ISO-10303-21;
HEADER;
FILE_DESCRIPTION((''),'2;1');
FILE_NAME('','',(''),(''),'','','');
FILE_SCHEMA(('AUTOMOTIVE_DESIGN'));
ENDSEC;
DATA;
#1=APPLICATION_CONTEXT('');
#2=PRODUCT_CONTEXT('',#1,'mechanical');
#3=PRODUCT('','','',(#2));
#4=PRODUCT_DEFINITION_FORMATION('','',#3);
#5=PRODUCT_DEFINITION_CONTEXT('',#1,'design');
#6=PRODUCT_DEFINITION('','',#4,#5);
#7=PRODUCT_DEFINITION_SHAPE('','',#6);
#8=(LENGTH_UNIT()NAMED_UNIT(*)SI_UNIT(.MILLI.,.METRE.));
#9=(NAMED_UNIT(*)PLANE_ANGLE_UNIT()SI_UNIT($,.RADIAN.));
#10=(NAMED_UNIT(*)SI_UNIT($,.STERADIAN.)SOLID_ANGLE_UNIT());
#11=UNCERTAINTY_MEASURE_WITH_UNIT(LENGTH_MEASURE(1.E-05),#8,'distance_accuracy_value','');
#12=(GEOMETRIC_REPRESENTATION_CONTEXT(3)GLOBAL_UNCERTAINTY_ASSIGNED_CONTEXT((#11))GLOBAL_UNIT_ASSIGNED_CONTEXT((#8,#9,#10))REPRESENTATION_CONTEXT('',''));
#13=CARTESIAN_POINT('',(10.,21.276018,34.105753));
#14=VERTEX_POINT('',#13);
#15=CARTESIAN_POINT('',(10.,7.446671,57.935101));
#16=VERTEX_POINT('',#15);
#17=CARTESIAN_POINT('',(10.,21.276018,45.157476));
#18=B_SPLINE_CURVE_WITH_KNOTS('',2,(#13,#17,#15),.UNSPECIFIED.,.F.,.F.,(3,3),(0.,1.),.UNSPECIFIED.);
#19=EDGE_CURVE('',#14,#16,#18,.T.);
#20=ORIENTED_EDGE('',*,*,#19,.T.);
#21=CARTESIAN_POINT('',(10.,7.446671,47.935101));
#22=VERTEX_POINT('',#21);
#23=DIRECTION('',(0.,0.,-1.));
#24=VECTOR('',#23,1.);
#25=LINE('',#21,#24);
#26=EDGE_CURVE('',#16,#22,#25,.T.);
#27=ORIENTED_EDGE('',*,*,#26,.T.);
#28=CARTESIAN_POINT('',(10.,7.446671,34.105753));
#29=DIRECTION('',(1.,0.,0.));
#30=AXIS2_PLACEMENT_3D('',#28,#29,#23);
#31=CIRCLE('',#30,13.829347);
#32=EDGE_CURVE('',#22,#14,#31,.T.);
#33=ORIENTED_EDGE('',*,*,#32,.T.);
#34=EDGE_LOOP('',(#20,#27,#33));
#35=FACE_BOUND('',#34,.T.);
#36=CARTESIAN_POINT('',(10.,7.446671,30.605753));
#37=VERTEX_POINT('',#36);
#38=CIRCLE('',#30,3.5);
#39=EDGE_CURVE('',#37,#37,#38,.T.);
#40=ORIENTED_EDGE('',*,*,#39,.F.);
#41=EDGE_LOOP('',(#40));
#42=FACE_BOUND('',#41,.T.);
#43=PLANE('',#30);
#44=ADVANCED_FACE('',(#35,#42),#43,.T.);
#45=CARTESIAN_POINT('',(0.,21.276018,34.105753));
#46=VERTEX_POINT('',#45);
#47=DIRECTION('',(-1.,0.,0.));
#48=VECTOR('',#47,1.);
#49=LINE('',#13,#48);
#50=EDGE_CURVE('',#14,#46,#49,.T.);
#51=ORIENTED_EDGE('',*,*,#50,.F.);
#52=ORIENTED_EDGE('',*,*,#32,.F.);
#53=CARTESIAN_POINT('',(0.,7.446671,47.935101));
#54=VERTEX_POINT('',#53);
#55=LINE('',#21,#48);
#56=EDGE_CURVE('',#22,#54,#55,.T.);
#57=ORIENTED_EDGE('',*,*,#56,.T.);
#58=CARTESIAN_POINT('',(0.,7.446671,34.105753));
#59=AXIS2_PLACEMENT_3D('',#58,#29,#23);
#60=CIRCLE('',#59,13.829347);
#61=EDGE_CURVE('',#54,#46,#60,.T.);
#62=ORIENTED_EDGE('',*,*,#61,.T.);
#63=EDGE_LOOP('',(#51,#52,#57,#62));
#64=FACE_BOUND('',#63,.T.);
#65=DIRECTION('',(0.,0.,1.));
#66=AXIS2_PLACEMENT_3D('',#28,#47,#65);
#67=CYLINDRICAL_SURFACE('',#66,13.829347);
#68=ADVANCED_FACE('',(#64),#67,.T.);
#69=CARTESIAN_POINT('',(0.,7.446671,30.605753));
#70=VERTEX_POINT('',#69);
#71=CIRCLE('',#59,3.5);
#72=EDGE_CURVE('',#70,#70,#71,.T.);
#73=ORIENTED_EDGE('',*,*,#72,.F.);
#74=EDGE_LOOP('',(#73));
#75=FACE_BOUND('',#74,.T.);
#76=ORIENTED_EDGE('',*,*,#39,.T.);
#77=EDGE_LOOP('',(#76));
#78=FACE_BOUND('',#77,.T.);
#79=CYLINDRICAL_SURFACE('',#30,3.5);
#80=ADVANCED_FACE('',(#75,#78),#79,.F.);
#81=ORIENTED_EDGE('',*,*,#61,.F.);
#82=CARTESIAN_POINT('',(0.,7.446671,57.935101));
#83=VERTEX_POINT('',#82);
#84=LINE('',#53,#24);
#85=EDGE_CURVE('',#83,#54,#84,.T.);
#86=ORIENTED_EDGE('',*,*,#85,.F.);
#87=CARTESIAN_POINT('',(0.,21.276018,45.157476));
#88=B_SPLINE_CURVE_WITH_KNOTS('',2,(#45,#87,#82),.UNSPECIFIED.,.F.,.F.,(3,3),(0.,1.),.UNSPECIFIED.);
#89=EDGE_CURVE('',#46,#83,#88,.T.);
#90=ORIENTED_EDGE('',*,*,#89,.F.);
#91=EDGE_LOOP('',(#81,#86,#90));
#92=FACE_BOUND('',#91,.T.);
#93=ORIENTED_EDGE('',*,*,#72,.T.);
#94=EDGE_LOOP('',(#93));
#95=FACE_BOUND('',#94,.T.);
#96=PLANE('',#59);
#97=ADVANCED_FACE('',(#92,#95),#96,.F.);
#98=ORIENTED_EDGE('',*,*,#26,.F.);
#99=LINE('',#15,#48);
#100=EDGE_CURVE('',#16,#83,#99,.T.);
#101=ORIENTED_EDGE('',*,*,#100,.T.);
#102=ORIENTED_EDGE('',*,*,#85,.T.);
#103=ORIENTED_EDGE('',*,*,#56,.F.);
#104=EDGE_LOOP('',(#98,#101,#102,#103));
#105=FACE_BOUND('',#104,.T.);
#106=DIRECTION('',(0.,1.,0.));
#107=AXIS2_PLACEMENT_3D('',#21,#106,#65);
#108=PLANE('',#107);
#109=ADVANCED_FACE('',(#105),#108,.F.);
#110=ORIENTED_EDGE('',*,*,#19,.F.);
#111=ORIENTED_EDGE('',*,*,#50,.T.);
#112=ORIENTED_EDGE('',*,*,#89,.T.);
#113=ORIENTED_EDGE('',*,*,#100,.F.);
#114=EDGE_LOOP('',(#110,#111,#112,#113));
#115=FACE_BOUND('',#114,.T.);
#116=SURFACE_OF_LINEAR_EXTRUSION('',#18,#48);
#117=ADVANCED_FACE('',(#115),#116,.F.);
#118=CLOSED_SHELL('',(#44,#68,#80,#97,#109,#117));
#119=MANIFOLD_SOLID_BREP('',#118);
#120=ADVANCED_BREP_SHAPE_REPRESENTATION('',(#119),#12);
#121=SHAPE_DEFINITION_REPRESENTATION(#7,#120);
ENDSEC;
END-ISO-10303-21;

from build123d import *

# Parameters (mm, degrees)
BOSS_EXTRUDE1_DEPTH         = 10
TAP_DRILL_FOR_M8X1_0_TAP1_D = 7


with BuildPart() as part:
    # Sketch1 → Boss-Extrude1 (new body)
    with BuildSketch(Plane(origin=(0, 0, 0), x_dir=(0, 0, -1), z_dir=(1, 0, 0))):
        with BuildLine():
            Line((-47.935100648, 7.446671034), (-57.935100648, 7.446671034))
            add(Edge.make_bspline(
                [(-34.105753338, 21.276018345), (-45.15747621, 21.276018345), (-57.935100648, 7.446671034)],
                knots=[0, 0, 0, 1, 1, 1], degree=2))
            ThreePointArc((-34.105753338, 21.276018345), (-24.326928075, -2.332154228), (-47.935100648, 7.446671034))
        make_face()
    extrude(amount=BOSS_EXTRUDE1_DEPTH)

    # Tap Drill for M8x1.0 Tap1 (through all)
    with Locations(Plane(origin=(10, 0, 0), x_dir=(0, 0, -1), z_dir=(1, 0, 0))):
        with Locations((-34.105753338, 7.446671034)):
            Hole(TAP_DRILL_FOR_M8X1_0_TAP1_D / 2)


solid = part.part
